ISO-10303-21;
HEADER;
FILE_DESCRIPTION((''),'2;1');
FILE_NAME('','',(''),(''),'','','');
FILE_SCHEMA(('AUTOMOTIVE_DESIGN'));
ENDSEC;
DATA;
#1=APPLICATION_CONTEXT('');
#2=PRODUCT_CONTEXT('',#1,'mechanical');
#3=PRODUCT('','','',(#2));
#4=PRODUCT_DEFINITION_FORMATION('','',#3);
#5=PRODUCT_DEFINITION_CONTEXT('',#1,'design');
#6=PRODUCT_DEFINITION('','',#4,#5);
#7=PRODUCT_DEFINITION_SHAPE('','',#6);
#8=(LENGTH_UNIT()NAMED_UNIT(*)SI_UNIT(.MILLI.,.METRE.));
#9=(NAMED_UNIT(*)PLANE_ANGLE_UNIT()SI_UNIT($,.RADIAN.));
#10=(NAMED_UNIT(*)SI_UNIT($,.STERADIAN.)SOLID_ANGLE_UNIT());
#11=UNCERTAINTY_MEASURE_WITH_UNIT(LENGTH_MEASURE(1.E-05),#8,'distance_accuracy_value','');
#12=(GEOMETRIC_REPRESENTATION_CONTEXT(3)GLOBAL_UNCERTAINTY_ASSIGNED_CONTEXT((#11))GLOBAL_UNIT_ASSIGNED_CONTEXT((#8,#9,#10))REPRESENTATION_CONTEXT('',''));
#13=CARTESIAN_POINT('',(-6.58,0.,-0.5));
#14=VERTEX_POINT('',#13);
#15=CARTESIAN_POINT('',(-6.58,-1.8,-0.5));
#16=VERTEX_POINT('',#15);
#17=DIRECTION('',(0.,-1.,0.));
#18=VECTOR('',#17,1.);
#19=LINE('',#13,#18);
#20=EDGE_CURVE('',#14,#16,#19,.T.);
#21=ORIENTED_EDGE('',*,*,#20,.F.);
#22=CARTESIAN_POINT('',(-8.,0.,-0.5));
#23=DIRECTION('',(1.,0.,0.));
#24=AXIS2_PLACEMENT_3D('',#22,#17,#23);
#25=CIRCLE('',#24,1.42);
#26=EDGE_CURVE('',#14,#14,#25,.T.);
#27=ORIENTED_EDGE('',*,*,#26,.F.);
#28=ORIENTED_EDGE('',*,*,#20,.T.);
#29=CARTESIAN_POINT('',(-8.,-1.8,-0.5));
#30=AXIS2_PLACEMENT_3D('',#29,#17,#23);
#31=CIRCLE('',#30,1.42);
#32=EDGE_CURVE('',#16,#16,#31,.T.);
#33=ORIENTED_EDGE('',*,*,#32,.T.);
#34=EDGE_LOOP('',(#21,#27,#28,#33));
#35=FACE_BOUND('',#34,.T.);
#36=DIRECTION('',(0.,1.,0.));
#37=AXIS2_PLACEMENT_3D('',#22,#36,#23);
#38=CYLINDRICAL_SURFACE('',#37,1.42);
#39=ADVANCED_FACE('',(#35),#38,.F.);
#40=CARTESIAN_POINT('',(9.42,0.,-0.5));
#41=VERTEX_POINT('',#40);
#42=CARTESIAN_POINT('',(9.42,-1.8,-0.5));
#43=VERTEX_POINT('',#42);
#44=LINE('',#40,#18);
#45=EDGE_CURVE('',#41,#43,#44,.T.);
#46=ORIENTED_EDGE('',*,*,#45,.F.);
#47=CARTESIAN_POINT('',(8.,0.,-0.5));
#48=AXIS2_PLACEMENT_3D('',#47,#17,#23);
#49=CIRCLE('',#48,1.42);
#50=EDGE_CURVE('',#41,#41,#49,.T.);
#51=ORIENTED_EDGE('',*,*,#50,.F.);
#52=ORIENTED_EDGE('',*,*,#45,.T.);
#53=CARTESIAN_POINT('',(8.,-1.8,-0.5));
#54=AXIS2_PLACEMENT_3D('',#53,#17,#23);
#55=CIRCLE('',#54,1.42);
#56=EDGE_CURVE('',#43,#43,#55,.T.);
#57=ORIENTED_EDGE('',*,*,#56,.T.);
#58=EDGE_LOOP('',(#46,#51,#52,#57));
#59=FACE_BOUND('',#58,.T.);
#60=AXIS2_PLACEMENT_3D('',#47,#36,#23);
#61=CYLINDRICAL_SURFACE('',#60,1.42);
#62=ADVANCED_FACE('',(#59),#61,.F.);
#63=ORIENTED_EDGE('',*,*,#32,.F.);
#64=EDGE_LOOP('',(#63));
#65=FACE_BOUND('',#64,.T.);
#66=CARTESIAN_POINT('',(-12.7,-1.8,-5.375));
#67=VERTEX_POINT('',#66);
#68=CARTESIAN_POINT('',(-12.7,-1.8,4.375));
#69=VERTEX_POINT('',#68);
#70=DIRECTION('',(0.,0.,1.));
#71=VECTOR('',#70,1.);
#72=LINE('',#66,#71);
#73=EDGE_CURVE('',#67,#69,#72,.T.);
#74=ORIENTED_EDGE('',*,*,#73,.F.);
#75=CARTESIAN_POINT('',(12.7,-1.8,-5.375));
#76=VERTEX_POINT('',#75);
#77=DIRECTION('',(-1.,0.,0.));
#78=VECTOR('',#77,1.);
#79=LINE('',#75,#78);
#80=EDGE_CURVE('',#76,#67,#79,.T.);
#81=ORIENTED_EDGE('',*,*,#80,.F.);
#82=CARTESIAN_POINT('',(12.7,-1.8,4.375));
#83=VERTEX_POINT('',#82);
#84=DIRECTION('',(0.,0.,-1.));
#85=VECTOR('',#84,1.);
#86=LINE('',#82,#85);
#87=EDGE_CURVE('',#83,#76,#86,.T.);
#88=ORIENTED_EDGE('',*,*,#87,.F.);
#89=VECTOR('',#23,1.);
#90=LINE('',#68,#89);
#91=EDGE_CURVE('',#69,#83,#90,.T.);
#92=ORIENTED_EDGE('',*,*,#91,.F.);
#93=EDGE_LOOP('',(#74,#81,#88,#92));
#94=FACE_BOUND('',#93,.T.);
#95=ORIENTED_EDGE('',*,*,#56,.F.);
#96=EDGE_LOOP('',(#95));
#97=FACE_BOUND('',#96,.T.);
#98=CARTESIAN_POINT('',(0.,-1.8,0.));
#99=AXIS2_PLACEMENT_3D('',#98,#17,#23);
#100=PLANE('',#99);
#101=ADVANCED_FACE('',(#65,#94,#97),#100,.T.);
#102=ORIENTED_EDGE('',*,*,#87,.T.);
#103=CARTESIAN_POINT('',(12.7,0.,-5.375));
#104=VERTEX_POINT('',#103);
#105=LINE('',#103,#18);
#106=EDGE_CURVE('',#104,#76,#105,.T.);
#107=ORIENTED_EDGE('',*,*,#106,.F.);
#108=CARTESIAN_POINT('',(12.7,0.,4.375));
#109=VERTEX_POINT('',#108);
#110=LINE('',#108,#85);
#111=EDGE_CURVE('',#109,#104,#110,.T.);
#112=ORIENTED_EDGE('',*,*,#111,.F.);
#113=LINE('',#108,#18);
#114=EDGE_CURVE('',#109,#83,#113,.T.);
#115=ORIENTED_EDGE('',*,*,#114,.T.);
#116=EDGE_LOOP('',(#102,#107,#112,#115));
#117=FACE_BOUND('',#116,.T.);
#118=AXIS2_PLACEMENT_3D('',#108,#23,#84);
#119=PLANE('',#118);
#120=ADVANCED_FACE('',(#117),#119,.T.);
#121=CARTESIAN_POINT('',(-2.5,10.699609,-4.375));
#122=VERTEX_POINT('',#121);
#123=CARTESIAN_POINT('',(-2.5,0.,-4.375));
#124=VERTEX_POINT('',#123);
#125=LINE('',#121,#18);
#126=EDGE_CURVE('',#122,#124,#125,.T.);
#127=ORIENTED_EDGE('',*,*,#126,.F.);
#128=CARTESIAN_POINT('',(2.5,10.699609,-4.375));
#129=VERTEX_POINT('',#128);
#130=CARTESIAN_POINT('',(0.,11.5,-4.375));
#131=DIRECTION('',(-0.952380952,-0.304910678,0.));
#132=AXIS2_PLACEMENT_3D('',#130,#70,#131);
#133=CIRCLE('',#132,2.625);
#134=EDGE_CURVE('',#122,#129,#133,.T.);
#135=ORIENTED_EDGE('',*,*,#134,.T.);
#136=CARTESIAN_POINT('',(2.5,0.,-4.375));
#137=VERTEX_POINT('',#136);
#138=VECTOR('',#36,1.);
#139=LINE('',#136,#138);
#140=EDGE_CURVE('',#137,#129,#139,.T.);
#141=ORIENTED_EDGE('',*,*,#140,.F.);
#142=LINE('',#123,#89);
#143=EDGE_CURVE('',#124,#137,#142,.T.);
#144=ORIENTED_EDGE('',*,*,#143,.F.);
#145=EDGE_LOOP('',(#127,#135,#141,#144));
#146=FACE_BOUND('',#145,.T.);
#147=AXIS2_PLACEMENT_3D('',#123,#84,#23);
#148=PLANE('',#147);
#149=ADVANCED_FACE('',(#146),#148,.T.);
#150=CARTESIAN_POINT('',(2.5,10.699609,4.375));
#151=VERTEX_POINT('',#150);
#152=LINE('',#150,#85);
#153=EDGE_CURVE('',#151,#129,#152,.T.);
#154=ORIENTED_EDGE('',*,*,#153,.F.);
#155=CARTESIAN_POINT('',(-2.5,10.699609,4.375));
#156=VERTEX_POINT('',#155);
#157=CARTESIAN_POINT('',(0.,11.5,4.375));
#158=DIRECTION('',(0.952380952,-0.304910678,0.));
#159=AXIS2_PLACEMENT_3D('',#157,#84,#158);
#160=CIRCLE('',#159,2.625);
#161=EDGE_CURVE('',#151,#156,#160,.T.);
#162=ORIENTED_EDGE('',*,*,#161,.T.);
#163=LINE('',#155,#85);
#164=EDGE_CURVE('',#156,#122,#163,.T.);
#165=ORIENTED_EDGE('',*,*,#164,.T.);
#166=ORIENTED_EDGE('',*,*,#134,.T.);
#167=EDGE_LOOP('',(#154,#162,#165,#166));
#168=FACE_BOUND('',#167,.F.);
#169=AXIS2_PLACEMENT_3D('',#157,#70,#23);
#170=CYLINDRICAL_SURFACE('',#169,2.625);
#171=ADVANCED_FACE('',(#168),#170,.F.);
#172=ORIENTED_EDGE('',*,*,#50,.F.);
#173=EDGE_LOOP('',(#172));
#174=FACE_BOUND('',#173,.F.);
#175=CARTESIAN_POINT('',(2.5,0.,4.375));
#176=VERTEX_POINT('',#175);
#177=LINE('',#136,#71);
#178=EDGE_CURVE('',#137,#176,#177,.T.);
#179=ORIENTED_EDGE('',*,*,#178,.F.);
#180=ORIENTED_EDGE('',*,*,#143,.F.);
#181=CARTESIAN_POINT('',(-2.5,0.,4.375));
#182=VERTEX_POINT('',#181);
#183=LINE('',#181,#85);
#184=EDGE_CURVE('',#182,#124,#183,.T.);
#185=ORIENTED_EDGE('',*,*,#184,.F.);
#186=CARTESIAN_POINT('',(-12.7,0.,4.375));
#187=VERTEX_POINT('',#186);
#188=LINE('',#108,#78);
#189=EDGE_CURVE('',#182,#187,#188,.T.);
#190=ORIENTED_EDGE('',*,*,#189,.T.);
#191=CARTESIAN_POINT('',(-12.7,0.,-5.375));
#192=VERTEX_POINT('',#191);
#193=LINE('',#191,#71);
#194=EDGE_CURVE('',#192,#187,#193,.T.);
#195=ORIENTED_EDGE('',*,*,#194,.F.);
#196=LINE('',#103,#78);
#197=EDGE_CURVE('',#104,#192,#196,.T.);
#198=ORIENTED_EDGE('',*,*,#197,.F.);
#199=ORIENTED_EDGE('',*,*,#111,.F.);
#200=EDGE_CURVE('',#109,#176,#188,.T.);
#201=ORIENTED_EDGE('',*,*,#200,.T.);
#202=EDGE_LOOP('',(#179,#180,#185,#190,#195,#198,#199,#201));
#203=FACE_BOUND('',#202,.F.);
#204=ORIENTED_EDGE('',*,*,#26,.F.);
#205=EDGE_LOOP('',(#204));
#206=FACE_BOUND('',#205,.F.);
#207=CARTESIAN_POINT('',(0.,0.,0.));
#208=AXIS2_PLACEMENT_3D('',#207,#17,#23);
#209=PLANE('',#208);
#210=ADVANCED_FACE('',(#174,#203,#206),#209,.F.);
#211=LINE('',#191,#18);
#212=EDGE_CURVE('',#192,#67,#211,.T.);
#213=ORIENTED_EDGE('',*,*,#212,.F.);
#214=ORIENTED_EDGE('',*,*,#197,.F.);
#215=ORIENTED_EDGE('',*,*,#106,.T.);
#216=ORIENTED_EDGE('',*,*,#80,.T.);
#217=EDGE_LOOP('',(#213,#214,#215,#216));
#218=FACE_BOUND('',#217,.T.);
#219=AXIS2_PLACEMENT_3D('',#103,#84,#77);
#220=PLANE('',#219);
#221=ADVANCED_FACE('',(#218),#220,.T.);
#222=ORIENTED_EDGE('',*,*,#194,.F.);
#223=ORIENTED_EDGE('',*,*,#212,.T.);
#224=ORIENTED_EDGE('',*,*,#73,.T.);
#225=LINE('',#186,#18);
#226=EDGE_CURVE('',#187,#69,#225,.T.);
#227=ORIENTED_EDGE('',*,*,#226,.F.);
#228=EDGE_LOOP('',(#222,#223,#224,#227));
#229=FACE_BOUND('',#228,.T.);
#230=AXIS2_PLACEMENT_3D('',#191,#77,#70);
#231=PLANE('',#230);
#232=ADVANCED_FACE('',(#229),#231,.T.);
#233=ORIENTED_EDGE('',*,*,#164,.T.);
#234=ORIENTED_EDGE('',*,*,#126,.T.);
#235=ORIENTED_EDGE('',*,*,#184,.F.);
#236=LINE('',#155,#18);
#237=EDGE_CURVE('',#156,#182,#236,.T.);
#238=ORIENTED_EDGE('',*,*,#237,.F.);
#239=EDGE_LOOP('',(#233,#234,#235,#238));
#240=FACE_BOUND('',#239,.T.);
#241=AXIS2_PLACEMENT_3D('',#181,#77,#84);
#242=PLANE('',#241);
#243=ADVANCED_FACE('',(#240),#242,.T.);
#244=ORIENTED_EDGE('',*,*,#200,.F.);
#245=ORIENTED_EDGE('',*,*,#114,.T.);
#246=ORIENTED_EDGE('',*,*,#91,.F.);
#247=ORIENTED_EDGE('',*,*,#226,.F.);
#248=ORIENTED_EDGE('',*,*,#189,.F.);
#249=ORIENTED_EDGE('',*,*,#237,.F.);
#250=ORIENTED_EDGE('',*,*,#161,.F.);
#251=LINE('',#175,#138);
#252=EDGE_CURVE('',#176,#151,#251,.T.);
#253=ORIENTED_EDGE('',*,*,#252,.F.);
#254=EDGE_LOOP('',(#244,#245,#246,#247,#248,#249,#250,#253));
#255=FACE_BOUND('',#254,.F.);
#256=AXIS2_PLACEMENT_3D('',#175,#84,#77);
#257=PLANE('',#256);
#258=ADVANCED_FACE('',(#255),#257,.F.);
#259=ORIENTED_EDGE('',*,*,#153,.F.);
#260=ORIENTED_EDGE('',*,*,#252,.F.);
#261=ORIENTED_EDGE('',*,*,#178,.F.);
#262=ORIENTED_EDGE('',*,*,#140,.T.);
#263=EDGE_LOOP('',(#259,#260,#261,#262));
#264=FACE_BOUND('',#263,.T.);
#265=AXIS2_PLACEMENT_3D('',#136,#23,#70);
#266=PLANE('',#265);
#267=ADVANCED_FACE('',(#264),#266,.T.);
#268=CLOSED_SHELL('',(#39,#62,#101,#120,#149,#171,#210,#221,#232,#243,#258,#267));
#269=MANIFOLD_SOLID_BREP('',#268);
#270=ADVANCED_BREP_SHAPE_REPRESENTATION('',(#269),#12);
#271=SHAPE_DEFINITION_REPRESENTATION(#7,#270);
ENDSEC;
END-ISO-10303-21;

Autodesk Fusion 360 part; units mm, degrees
sketch "Sketch1" plane through (0, 0, 0) normal (0, 1, 0) x (1, 0, 0)
  line L0 (2.5, -4.375) -> (-2.5, -4.375)
  line L1 (-2.5, -4.375) -> (-2.5, 4.375)
  line L2 (-2.5, 4.375) -> (2.5, 4.375)
  line L3 (2.5, 4.375) -> (2.5, -4.375)
  line L4 (0, -17.6215) -> (0, 10.113) construction
  line L5 (14.6118, 0) -> (-14.9327, 0) construction
  dimension "d1" = 5
  dimension "d2" = 8.75
extrude "Extrude1" add sketch "Sketch1" along normal blind 8.875
sketch "Sketch2" plane through (0, 0, 4.375) normal (0, 0, 1) x (1, 0, 0)
  line L0 (-2.5, 0) -> (2.5, 0)
  line L1 (2.5, 0) -> (2.5, 8.875)
  line L2 (2.5, 8.875) -> (-2.5, 8.875)
  line L3 (-2.5, 8.875) -> (-2.5, 0)
  line L4 (-2.5, 8.875) -> (2.5, 8.875)
  line L5 (2.5, 8.875) -> (2.5, 11.5)
  line L6 (2.5, 11.5) -> (-2.5, 11.5)
  line L7 (-2.5, 11.5) -> (-2.5, 8.875)
  circle A0 centre (0, 11.5) radius 2.625
  line L8 (0, 0) -> (0, 8.875) construction
  dimension "d10" = 5.25
extrude "Extrude3" add sketch "Sketch2" against normal blind 8.75 contours L2 L4 L7 A0 | L2 L4 L5 A0
sketch "Sketch3" plane through (0, 0, 0) normal (0, -1, 0) x (1, 0, 0)
  line L0 (-2.5, -4.375) -> (2.5, -4.375)
  line L1 (2.5, -4.375) -> (2.5, 4.375)
  line L2 (2.5, 4.375) -> (-2.5, 4.375)
  line L3 (-2.5, 4.375) -> (-2.5, -4.375)
  line L4 (-12.7, 4.375) -> (12.7, 4.375)
  line L5 (12.7, 4.375) -> (12.7, -5.375)
  line L6 (12.7, -5.375) -> (-12.7, -5.375)
  line L7 (-12.7, -5.375) -> (-12.7, 4.375)
  line L8 (0, 4.375) -> (0, -4.375) construction
  line L9 (12.7, -0.5) -> (-12.7, -0.5) construction
  circle A0 centre (-8, -0.5) radius 1.42
  circle A1 centre (8, -0.5) radius 1.42
  dimension "d16" = 25.4
  dimension "d17" = 2.84
  dimension "d18" = 16
  dimension "d21" = 9.75
  dimension "d22" = 4.875
extrude "Extrude5" add sketch "Sketch3" along normal blind 1.8
